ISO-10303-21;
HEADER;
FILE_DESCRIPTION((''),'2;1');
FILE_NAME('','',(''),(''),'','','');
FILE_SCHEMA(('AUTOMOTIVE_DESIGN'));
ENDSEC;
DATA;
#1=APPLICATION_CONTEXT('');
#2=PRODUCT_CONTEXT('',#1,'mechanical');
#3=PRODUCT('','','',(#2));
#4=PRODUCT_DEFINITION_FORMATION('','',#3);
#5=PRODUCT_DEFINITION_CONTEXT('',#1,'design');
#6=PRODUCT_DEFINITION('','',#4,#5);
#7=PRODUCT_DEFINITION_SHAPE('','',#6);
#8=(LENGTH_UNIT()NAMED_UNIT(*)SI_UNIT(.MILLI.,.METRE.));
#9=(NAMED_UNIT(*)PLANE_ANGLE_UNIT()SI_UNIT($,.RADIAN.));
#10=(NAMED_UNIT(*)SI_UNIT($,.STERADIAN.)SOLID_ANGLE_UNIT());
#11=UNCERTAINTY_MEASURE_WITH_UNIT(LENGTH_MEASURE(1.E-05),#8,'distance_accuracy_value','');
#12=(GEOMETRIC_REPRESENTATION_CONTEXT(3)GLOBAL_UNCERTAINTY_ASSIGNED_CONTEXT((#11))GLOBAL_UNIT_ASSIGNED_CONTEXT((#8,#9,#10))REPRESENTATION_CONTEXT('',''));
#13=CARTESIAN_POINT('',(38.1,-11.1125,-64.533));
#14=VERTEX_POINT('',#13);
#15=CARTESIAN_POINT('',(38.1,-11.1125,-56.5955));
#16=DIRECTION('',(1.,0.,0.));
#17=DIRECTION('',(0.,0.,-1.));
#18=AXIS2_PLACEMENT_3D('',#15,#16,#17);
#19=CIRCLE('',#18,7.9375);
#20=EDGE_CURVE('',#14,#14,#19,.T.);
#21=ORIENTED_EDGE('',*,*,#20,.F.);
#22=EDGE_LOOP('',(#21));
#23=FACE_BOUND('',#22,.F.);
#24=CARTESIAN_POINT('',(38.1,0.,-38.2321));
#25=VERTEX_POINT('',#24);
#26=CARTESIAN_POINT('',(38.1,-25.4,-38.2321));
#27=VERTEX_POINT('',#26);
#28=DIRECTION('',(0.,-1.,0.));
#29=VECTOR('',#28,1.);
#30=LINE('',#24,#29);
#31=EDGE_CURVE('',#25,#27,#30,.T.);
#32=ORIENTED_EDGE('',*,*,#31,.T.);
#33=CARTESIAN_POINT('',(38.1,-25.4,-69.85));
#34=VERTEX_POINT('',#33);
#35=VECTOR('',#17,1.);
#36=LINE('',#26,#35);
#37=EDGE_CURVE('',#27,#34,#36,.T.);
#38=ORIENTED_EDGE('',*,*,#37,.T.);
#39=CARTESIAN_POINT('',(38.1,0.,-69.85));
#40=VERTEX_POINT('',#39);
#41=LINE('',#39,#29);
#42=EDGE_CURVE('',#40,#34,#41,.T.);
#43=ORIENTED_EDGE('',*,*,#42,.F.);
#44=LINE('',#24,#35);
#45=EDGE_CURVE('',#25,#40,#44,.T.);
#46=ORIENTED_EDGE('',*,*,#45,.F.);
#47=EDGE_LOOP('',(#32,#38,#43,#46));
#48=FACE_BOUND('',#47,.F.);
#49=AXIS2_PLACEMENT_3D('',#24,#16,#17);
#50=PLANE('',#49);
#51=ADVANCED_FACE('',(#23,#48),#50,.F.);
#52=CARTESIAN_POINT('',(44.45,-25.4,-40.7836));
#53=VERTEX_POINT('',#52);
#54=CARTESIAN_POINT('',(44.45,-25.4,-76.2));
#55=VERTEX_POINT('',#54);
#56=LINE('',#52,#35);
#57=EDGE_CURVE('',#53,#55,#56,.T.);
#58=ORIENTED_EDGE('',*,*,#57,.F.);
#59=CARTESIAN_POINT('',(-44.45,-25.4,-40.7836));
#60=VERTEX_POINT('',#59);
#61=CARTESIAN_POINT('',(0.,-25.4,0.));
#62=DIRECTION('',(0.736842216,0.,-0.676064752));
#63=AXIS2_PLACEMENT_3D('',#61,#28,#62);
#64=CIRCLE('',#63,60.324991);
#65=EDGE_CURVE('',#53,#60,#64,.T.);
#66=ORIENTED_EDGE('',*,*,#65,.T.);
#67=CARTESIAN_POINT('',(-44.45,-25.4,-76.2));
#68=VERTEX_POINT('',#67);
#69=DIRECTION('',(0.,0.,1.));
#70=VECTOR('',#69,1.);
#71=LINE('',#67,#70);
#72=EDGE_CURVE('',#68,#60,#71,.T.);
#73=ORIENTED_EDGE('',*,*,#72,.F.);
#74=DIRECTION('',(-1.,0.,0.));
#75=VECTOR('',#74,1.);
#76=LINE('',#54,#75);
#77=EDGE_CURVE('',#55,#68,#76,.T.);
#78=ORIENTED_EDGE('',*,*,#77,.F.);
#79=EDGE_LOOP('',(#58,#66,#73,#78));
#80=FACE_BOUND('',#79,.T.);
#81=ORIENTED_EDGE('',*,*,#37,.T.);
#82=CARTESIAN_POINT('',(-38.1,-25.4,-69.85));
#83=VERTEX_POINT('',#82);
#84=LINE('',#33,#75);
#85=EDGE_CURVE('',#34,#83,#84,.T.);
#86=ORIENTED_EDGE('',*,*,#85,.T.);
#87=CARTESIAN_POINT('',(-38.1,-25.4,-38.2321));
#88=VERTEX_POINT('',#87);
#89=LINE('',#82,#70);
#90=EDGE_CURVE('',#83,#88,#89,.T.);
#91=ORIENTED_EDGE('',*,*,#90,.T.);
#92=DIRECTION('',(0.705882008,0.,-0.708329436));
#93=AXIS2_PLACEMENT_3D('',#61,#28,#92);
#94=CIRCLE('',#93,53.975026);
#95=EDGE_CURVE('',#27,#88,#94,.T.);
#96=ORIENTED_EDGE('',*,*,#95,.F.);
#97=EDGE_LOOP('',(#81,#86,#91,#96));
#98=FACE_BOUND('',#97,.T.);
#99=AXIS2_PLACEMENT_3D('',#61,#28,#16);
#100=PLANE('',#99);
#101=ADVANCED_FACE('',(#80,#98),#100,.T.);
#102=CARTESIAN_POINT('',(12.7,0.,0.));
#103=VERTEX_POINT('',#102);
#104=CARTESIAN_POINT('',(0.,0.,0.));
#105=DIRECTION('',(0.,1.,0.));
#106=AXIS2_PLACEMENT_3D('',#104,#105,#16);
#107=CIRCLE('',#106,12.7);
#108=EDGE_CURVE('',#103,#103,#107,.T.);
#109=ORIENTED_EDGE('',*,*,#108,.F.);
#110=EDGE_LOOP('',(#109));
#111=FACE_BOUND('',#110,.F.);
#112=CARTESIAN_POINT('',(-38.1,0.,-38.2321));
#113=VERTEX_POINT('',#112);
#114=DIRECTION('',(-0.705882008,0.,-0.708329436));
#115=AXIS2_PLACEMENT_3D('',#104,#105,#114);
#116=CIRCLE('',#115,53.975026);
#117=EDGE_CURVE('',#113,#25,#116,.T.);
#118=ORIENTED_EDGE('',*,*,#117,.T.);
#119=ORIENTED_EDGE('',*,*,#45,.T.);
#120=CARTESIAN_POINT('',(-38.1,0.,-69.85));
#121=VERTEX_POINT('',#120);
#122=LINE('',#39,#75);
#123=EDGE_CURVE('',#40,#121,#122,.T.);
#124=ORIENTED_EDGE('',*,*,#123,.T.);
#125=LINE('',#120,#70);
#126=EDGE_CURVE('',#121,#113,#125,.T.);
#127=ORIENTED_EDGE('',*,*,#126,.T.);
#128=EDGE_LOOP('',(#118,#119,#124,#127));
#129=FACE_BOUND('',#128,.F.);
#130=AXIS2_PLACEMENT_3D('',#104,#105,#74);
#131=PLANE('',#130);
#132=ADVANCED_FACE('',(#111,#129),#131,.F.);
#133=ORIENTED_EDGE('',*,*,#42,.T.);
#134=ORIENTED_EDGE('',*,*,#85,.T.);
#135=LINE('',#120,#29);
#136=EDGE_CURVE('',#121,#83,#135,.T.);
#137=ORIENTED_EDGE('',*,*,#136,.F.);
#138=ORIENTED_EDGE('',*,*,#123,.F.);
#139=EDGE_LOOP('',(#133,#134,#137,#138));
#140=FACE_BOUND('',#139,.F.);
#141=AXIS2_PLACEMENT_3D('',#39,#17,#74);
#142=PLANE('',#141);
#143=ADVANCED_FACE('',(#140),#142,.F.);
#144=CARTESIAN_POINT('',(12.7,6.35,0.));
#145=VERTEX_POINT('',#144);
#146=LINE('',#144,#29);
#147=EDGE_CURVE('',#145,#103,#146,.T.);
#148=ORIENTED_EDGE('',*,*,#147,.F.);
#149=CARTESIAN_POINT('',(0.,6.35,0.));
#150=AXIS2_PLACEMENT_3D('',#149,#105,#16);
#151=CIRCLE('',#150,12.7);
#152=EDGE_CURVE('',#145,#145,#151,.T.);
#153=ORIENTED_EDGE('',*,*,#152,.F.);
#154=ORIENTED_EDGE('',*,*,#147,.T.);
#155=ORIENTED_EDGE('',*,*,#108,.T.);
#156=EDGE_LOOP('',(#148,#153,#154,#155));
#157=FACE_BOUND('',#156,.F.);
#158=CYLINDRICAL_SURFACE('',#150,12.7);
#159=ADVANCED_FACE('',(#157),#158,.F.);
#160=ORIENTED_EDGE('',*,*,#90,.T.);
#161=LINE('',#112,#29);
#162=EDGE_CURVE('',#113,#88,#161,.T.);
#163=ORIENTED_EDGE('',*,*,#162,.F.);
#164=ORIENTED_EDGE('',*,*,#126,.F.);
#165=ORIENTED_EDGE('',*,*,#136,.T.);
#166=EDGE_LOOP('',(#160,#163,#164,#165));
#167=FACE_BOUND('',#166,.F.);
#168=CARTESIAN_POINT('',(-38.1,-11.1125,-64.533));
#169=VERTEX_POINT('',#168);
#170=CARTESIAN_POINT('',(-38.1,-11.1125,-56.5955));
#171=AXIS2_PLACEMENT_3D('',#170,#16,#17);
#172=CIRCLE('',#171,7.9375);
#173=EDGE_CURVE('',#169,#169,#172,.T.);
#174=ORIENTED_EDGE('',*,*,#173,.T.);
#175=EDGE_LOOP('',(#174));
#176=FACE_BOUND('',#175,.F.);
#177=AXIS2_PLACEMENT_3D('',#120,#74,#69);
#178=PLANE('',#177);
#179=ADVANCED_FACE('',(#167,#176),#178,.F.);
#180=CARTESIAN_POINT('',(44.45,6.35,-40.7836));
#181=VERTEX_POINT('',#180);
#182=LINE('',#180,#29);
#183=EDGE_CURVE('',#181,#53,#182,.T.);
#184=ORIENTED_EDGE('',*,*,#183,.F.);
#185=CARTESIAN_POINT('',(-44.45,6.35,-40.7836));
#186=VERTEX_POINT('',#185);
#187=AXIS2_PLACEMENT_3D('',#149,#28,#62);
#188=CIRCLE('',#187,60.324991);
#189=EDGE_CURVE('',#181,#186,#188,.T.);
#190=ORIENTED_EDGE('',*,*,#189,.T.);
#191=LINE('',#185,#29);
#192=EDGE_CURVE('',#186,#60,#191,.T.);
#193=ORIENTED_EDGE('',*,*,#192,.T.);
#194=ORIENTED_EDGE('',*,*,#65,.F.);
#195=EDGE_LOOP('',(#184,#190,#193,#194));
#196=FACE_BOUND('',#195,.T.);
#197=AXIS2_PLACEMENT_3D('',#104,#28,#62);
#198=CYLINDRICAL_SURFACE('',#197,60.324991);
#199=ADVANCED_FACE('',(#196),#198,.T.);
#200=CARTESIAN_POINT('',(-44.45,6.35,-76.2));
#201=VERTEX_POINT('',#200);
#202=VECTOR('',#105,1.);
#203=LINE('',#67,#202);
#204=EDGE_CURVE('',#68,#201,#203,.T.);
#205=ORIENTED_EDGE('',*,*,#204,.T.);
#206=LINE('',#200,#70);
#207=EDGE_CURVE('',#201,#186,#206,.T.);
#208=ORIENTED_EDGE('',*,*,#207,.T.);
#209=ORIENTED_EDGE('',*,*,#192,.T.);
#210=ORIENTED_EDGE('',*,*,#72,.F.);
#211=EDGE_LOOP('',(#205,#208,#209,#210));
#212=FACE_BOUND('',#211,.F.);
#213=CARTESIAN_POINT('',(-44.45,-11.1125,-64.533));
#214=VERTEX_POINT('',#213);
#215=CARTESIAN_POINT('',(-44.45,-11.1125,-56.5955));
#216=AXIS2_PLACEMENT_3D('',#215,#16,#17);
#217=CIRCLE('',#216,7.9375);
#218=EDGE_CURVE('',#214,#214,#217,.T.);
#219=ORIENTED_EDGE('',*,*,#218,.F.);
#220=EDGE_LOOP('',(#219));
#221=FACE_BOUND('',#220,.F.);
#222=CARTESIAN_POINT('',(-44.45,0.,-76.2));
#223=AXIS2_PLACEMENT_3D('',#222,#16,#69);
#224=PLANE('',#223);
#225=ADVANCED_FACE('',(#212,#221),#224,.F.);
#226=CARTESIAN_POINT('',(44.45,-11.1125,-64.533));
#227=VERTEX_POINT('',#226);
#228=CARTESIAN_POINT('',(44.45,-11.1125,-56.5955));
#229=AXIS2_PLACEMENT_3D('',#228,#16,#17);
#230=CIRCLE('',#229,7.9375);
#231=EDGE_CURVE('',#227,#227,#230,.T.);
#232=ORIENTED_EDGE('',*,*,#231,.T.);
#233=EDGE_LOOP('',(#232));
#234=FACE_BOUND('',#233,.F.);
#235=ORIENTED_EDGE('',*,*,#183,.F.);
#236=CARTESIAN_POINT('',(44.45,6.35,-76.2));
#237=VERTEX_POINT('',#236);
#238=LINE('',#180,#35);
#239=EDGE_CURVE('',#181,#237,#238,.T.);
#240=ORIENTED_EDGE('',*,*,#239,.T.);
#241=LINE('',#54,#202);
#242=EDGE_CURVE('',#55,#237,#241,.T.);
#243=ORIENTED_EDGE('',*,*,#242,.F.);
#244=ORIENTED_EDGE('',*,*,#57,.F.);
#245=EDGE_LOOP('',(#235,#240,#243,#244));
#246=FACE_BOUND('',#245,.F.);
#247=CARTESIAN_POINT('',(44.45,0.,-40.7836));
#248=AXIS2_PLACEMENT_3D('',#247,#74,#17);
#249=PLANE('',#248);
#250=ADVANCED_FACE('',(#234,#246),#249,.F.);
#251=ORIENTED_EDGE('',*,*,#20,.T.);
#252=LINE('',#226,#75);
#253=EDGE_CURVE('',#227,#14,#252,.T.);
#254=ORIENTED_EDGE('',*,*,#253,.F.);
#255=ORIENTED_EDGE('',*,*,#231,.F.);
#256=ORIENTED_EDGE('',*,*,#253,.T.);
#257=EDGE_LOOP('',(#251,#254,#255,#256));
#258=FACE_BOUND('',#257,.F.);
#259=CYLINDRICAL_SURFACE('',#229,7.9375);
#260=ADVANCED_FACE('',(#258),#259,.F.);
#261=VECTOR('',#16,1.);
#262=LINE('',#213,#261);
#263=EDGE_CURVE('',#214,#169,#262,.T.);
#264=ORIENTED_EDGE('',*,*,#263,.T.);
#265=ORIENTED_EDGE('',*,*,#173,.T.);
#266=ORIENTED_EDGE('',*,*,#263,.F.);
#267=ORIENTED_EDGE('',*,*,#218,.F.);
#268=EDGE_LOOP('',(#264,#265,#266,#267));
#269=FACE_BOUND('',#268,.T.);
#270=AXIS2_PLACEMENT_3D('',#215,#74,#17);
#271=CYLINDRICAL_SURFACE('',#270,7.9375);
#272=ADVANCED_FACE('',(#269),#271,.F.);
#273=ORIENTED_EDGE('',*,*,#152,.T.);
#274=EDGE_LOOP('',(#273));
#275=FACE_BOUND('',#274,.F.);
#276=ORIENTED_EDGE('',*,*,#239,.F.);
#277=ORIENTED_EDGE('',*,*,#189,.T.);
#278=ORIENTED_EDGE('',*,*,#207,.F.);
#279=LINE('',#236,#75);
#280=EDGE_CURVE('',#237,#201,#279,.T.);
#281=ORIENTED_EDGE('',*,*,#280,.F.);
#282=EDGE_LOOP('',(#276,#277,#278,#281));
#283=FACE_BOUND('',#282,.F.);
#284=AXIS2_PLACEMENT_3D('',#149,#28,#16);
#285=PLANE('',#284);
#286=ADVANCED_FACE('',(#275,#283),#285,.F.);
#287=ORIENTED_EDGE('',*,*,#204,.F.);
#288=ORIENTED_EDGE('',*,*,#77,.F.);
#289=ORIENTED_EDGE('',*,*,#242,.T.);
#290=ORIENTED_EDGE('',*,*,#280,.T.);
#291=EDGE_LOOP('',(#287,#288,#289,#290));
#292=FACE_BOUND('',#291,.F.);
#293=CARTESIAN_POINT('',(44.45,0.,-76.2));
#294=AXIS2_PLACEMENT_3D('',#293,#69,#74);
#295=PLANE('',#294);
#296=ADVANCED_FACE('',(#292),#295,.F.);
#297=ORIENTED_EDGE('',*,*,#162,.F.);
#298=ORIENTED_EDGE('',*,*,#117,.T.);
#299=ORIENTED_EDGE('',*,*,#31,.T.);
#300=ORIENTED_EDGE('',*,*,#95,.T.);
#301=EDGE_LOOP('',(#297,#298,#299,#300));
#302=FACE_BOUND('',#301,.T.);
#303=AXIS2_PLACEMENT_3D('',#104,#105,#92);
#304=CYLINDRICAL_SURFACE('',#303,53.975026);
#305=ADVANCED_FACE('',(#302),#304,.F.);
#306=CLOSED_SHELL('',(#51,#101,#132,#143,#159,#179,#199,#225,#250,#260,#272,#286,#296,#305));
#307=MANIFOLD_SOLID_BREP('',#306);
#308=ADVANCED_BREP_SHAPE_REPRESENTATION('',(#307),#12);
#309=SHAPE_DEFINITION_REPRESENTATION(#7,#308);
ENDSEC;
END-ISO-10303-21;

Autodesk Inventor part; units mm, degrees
ref_plane "YZ Plane" through (0, 0, 0) normal (1, 0, 0) x (0, 1, 0)
ref_plane "XZ Plane" through (0, 0, 0) normal (0, 1, 0) x (-1, 0, 0)
ref_plane "XY Plane" through (0, 0, 0) normal (0, 0, 1) x (1, 0, 0)
sketch "Sketch1" plane through (0, 0, 0) normal (0, 1, 0) x (-1, 0, 0)
  arc A0 (38.1, -38.2321) -> (-38.1, -38.2321) centre (0, 0) ccw
  line L0 (0, 0) -> (0, -72.7817) construction
  line L1 (-38.1, -38.2321) -> (-38.1, -69.85)
  line L2 (-38.1, -69.85) -> (0, -69.85)
  line L3 (0, -69.85) -> (38.1, -69.85)
  line L4 (38.1, -69.85) -> (38.1, -38.2321)
  dimension "d0" = 107.95
  dimension "d6" = 69.85
  dimension "d7" = 38.1
extrude "Extrusion1" add sketch "Sketch1" along normal blind 6.35
sketch "Sketch3" plane through (0, 0, 0) normal (0, -1, 0) x (1, 0, 0)
  arc A0 (38.1, -38.2321) -> (-38.1, -38.2321) centre (0, 0) ccw projected
  line L0 (38.1, -38.2321) -> (38.1, -69.85) projected
  line L1 (38.1, -69.85) -> (-38.1, -69.85) projected
  line L2 (-38.1, -69.85) -> (-38.1, -38.2321) projected
  arc A1 (38.1, -38.2321) -> (-38.1, -38.2321) centre (0, 0) ccw
  line L3 (38.1, -38.2321) -> (38.1, -69.85) projected
  line L4 (38.1, -38.2321) -> (38.1, -69.85)
  line L5 (38.1, -69.85) -> (-38.1, -69.85)
  line L6 (-38.1, -69.85) -> (-38.1, -38.2321) projected
  line L7 (-38.1, -69.85) -> (-38.1, -38.2321)
  arc A2 (44.45, -40.7836) -> (-44.45, -40.7836) centre (0, 0) ccw
  line L8 (44.45, -40.7836) -> (44.45, -76.2)
  line L9 (44.45, -76.2) -> (-44.45, -76.2)
  line L10 (-44.45, -76.2) -> (-44.45, -40.7836)
  dimension "d8" = 6.35
  dimension "d9" = 6.35
  dimension "d10" = 6.35
  dimension "d11" = 6.35
extrude "Extrusion3" add sketch "Sketch3" along normal blind 25.4
extrude "Extrusion4" add sketch "Sketch3" against normal blind 6.35
sketch "Sketch4" plane through (44.45, -25.4, -40.7836) normal (1, 0, 0) x (0, 0, -1)
  line L0 (20.7014, 17.1105) -> (20.7014, 11.6112) projected
  line L1 (10.9224, 11.4645) -> (10.9224, 17.1105) projected
  line L2 (15.6849, 8.7149) -> (10.9224, 11.4645) projected
  line L3 (20.7014, 11.6112) -> (15.6849, 8.7149) projected
  line L4 (15.8119, 19.9334) -> (20.7014, 17.1105) projected
  line L5 (10.9224, 17.1105) -> (15.8119, 19.9334) projected
  line L6 (10.9224, 17.1105) -> (20.7014, 11.6112) construction
  line L7 (10.9224, 11.4645) -> (20.7014, 17.1105) construction
  circle A0 centre (15.8119, 14.2875) radius 7.9375
  line L8 (20.5744, 17.0371) -> (20.5744, 11.5379)
  line L9 (20.5744, 11.5379) -> (15.8119, 8.7882)
  line L10 (15.8119, 8.7882) -> (11.0494, 11.5379)
  line L11 (11.0494, 11.5379) -> (11.0494, 17.0371)
  line L12 (11.0494, 17.0371) -> (15.8119, 19.7868)
  line L13 (15.8119, 19.7868) -> (20.5744, 17.0371)
  point P0 (-40.7836, 25.4)
  dimension "d20" = 15.875
  dimension "d21" = 9.525
extrude "Extrusion6" cut sketch "Sketch4" against normal up to surface (6.35 mm away) contours L0 L3 L8 L13 L12 L11 L10 L2 L1 L5 L4 | L3 L10 L11 L12 L13 L8 | A0
mirror "Mirror1" about plane through (0, 0, 0) normal (1, 0, 0) of "Extrusion6"
sketch "Sketch5" plane through (0, 6.35, 0) normal (0, 1, 0) x (1, 0, 0)
  circle A0 centre (0, 0) radius 12.7
  dimension "d24" = 25.4
extrude "Extrusion7" cut sketch "Sketch5" against normal through all
equation "\"d0\" = exteriorDiameter"
equation "\"exteriorDiameter\" = 107.95"
properties part number "baseSupport"
